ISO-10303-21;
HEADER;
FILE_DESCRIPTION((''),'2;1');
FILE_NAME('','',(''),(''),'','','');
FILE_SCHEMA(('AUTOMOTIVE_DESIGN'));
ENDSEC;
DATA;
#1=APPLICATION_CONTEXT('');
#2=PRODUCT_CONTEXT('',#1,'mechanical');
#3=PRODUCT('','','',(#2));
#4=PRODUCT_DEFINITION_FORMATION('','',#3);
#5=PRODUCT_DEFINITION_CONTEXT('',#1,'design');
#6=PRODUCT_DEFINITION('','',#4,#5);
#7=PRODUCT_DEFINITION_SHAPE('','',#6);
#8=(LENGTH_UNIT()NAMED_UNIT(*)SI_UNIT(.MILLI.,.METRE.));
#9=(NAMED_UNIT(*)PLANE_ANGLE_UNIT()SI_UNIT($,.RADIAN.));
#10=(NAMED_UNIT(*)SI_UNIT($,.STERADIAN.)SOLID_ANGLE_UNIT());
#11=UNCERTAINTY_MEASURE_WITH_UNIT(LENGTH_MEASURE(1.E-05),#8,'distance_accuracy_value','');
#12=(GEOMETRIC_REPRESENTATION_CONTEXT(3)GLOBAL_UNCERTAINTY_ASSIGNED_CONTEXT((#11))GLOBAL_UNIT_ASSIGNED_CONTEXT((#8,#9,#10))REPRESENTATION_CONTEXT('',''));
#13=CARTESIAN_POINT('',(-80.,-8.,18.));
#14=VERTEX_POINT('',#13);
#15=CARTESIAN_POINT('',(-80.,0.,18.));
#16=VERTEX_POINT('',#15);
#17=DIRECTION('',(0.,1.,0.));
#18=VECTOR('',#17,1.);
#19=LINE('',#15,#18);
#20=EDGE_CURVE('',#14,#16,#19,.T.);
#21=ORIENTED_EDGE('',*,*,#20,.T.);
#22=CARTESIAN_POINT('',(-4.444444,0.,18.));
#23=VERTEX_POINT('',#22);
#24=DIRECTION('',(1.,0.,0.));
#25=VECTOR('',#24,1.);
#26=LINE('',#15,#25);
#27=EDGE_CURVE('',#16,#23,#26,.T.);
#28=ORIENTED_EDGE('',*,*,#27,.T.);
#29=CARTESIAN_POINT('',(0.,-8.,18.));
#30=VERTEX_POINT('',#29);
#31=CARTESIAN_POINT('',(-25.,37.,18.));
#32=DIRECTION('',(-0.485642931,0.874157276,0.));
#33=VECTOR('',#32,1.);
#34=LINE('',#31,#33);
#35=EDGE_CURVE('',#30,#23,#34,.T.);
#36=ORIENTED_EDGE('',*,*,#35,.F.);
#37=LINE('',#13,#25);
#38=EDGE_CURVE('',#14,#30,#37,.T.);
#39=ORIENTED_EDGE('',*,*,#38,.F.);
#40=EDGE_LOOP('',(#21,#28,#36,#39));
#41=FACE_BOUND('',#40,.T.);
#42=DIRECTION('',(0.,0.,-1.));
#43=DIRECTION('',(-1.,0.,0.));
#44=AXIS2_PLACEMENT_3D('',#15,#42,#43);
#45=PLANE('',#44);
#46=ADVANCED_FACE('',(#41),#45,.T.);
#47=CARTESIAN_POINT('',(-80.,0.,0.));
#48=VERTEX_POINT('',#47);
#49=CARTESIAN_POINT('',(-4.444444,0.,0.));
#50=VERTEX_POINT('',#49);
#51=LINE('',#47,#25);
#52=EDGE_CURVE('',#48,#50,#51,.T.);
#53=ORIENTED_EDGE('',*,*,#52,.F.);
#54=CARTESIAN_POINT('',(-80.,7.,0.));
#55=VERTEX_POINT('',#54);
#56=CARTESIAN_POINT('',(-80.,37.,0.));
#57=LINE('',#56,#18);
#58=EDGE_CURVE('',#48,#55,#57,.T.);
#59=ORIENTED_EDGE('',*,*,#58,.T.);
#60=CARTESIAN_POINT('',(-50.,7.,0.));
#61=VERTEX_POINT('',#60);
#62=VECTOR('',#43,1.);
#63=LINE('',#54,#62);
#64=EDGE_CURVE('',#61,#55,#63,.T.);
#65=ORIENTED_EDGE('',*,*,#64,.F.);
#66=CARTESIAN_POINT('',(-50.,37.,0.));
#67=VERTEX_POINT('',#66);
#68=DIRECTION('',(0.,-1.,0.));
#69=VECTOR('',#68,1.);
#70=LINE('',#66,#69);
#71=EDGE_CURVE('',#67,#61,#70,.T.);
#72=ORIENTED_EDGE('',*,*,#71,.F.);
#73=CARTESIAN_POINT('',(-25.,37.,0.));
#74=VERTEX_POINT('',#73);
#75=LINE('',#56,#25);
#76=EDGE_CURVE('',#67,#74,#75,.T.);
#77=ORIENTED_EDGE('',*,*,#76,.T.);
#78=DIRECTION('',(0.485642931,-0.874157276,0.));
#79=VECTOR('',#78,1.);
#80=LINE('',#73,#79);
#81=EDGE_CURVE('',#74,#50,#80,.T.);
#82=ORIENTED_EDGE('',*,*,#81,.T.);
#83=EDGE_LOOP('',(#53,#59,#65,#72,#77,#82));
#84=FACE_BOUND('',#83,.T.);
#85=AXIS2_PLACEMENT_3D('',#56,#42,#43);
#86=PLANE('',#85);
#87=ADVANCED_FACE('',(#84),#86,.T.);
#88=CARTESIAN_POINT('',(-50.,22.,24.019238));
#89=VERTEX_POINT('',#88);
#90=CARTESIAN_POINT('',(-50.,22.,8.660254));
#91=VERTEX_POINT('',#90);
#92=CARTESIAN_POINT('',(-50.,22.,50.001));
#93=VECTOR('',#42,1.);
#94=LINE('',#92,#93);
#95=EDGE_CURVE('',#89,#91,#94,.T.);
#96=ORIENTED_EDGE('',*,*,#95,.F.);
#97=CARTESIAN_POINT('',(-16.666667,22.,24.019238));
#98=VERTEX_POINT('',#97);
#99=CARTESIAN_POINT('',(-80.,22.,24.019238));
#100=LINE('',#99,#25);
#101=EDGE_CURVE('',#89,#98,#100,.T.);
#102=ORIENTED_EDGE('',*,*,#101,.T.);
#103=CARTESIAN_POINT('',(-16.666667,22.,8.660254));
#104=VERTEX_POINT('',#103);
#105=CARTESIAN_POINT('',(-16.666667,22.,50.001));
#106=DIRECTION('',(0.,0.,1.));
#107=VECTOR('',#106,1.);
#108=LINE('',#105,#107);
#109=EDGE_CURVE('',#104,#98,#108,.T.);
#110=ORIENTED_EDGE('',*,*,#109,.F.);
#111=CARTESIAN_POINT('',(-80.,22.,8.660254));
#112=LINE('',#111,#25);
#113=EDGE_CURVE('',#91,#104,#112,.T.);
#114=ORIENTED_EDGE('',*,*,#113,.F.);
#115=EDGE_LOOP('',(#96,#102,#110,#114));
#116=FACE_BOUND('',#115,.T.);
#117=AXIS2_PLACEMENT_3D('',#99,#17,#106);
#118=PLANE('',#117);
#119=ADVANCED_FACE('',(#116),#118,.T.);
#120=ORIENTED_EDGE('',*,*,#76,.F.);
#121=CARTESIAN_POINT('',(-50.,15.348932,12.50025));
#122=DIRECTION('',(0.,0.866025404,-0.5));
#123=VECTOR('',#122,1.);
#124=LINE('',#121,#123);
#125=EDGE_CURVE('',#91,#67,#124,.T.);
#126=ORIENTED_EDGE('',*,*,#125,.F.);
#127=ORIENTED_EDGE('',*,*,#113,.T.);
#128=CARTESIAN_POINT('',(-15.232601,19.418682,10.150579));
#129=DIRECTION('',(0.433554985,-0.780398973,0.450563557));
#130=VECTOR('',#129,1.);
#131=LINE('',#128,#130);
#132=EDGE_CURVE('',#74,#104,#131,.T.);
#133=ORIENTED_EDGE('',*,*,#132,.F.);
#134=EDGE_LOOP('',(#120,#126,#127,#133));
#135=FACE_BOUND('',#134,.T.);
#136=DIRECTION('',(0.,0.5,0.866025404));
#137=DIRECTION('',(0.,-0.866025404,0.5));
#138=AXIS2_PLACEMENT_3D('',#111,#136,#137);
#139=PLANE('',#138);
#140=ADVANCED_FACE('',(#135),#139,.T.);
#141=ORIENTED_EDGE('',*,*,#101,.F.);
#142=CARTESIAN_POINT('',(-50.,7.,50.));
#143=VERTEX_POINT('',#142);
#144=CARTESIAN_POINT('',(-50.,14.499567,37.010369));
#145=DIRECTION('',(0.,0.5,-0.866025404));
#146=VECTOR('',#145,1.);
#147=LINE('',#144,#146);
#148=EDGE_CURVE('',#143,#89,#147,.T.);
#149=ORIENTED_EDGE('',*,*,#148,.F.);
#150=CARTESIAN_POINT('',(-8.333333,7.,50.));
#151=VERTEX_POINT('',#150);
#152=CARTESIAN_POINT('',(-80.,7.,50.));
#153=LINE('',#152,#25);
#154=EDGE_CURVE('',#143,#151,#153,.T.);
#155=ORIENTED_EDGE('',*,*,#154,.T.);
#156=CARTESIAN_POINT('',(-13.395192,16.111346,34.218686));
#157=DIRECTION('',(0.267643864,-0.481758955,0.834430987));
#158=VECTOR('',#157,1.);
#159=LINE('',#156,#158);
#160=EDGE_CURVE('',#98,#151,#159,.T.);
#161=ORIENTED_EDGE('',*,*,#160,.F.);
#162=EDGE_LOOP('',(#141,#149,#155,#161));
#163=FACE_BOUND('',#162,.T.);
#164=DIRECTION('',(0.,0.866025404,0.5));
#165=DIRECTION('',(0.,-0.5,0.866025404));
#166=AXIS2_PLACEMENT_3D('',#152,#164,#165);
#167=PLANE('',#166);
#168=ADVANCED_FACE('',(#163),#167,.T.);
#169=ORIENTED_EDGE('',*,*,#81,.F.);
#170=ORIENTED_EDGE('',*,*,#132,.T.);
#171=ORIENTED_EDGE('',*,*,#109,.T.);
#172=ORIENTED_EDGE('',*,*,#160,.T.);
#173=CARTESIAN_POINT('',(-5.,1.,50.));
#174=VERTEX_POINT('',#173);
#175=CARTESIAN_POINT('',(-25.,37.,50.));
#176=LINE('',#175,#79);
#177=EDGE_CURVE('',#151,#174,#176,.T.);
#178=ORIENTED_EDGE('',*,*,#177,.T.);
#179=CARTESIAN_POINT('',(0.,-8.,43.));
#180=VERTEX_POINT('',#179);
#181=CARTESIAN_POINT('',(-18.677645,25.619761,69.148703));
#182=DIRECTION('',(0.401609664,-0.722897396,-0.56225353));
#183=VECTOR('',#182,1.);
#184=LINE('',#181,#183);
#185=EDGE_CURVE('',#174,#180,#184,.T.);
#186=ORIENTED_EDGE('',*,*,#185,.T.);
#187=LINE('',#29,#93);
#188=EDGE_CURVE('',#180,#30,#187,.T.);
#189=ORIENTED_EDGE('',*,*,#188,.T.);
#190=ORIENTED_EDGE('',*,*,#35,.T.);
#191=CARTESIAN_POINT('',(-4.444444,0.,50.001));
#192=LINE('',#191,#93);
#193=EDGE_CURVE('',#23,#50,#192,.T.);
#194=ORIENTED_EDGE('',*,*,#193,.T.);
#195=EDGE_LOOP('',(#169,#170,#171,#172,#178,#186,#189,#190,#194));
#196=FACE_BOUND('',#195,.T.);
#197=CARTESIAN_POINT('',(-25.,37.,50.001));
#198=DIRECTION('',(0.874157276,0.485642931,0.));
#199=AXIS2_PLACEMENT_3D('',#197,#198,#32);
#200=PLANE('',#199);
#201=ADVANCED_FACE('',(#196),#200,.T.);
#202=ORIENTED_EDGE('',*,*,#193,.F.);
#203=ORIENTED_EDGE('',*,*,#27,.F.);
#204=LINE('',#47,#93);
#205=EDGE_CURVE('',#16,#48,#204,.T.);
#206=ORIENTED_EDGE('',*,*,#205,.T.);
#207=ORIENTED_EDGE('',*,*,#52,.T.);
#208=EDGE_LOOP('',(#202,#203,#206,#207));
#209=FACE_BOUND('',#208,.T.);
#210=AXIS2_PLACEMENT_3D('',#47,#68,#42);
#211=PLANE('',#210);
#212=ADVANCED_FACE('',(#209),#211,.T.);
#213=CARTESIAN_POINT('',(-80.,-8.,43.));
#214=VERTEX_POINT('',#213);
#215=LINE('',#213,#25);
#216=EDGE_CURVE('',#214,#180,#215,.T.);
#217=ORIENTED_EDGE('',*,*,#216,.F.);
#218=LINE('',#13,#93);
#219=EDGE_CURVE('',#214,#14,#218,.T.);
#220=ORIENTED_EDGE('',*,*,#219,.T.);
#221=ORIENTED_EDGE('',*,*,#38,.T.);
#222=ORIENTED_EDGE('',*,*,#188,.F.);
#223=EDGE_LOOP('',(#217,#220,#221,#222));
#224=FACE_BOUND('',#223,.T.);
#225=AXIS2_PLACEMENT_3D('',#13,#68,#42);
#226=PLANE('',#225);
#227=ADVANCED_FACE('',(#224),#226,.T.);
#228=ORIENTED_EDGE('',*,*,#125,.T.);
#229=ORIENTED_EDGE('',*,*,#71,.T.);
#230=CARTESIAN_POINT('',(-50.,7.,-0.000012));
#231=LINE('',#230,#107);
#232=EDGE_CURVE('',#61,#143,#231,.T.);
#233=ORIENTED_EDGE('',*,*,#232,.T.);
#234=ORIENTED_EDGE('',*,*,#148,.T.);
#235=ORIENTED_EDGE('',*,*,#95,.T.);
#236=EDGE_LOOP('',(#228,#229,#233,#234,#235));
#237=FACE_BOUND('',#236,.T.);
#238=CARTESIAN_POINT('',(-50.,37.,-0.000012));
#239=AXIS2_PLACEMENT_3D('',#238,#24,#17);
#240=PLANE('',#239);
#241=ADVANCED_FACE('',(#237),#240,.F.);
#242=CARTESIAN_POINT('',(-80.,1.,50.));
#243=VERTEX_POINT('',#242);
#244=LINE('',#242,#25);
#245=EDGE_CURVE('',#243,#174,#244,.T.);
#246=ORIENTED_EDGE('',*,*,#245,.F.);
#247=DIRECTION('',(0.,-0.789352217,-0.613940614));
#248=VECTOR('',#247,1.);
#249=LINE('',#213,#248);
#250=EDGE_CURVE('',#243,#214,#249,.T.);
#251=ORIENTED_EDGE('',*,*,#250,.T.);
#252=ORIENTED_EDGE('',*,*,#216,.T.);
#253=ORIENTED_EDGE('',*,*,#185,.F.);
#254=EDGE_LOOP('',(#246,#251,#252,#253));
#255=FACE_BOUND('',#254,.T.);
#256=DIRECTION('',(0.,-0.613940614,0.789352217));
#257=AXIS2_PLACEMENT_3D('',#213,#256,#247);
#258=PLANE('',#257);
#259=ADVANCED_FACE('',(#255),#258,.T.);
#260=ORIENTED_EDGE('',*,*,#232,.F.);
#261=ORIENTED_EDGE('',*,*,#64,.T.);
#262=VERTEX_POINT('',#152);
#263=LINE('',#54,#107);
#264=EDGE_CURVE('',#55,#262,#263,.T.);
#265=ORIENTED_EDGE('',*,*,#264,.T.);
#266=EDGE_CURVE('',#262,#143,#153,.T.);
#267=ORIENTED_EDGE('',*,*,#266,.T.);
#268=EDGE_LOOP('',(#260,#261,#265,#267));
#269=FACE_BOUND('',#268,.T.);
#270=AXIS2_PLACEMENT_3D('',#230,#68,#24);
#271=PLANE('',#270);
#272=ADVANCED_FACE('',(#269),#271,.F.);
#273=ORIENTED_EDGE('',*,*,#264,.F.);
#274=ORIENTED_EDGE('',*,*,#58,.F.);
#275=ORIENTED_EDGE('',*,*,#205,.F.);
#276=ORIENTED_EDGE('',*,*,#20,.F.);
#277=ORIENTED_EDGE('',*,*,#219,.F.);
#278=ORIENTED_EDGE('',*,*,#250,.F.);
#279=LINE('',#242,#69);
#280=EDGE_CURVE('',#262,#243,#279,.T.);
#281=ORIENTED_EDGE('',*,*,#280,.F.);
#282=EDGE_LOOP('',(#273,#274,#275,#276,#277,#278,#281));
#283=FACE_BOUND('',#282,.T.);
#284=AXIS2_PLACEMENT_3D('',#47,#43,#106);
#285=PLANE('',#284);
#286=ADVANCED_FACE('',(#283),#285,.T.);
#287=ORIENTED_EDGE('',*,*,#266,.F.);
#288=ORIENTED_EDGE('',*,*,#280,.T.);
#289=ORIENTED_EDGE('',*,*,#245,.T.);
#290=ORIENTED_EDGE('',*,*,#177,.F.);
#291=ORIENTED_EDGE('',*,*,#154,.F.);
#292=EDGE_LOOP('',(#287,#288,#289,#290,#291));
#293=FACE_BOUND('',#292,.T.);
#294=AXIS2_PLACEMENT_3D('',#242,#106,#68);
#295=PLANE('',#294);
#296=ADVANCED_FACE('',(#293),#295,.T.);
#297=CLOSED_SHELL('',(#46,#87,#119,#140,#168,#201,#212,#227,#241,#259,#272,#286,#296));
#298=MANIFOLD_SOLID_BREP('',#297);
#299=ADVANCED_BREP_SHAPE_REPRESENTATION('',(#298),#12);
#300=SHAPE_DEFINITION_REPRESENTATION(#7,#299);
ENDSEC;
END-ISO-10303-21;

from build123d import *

# Parameters (mm, degrees)
RESSALTO_EXTRUS_O1_DEPTH          = 80
CORTE_EXTRUS_O2_REACH             = 103.336
ESBO_O2_W                         = 30
ESBO_O2_H                         = 30
CORTE_EXTRUS_O2_DIRECTION_2_DEPTH = 102.336074524
CORTE_EXTRUS_O3_REACH             = 103.336


with BuildPart() as part:
    # Esboço1 → Ressalto-extrusão1 (new body)
    with BuildSketch(Plane(origin=(0, 0, 0), x_dir=(0, 0, -1), z_dir=(1, 0, 0))):
        Polygon((-50, 7), (-24.019237886, 22), (-8.660254038, 22), (0, 37), (0, 0), (-18, 0), (-18, -8), (-43, -8), (-50, 1), align=None)
    extrude(amount=-RESSALTO_EXTRUS_O1_DEPTH)

    # Esboço2 → Corte-extrusão2 (cut, up to next)
    with BuildSketch(Plane.XY, mode=Mode.PRIVATE) as corte_extrus_o2_sk1:
        with Locations((-65, 22)):
            Rectangle(ESBO_O2_W, ESBO_O2_H)
    corte_extrus_o2_tool1 = extrude(corte_extrus_o2_sk1.sketch, amount=CORTE_EXTRUS_O2_REACH, mode=Mode.PRIVATE) & part.part
    add(corte_extrus_o2_tool1.solids().sort_by_distance((-65, 22, 0))[0], mode=Mode.SUBTRACT)

    # Esboço2 → Corte-extrusão2 direction 2 (cut)
    with BuildSketch(Plane.XY):
        with Locations((-65, 22)):
            Rectangle(ESBO_O2_W, ESBO_O2_H)
    extrude(amount=-CORTE_EXTRUS_O2_DIRECTION_2_DEPTH, mode=Mode.SUBTRACT)

    # Esboço3 → Corte-extrusão3 (cut, up to next)
    with BuildSketch(Plane.XY, mode=Mode.PRIVATE) as corte_extrus_o3_sk1:
        Polygon((-25, 37), (0, -8), (0, 37), align=None)
    corte_extrus_o3_tool1 = extrude(corte_extrus_o3_sk1.sketch, amount=CORTE_EXTRUS_O3_REACH, mode=Mode.PRIVATE) & part.part
    add(corte_extrus_o3_tool1.solids().sort_by_distance((-8.333333, 22, 0))[0], mode=Mode.SUBTRACT)


solid = part.part
